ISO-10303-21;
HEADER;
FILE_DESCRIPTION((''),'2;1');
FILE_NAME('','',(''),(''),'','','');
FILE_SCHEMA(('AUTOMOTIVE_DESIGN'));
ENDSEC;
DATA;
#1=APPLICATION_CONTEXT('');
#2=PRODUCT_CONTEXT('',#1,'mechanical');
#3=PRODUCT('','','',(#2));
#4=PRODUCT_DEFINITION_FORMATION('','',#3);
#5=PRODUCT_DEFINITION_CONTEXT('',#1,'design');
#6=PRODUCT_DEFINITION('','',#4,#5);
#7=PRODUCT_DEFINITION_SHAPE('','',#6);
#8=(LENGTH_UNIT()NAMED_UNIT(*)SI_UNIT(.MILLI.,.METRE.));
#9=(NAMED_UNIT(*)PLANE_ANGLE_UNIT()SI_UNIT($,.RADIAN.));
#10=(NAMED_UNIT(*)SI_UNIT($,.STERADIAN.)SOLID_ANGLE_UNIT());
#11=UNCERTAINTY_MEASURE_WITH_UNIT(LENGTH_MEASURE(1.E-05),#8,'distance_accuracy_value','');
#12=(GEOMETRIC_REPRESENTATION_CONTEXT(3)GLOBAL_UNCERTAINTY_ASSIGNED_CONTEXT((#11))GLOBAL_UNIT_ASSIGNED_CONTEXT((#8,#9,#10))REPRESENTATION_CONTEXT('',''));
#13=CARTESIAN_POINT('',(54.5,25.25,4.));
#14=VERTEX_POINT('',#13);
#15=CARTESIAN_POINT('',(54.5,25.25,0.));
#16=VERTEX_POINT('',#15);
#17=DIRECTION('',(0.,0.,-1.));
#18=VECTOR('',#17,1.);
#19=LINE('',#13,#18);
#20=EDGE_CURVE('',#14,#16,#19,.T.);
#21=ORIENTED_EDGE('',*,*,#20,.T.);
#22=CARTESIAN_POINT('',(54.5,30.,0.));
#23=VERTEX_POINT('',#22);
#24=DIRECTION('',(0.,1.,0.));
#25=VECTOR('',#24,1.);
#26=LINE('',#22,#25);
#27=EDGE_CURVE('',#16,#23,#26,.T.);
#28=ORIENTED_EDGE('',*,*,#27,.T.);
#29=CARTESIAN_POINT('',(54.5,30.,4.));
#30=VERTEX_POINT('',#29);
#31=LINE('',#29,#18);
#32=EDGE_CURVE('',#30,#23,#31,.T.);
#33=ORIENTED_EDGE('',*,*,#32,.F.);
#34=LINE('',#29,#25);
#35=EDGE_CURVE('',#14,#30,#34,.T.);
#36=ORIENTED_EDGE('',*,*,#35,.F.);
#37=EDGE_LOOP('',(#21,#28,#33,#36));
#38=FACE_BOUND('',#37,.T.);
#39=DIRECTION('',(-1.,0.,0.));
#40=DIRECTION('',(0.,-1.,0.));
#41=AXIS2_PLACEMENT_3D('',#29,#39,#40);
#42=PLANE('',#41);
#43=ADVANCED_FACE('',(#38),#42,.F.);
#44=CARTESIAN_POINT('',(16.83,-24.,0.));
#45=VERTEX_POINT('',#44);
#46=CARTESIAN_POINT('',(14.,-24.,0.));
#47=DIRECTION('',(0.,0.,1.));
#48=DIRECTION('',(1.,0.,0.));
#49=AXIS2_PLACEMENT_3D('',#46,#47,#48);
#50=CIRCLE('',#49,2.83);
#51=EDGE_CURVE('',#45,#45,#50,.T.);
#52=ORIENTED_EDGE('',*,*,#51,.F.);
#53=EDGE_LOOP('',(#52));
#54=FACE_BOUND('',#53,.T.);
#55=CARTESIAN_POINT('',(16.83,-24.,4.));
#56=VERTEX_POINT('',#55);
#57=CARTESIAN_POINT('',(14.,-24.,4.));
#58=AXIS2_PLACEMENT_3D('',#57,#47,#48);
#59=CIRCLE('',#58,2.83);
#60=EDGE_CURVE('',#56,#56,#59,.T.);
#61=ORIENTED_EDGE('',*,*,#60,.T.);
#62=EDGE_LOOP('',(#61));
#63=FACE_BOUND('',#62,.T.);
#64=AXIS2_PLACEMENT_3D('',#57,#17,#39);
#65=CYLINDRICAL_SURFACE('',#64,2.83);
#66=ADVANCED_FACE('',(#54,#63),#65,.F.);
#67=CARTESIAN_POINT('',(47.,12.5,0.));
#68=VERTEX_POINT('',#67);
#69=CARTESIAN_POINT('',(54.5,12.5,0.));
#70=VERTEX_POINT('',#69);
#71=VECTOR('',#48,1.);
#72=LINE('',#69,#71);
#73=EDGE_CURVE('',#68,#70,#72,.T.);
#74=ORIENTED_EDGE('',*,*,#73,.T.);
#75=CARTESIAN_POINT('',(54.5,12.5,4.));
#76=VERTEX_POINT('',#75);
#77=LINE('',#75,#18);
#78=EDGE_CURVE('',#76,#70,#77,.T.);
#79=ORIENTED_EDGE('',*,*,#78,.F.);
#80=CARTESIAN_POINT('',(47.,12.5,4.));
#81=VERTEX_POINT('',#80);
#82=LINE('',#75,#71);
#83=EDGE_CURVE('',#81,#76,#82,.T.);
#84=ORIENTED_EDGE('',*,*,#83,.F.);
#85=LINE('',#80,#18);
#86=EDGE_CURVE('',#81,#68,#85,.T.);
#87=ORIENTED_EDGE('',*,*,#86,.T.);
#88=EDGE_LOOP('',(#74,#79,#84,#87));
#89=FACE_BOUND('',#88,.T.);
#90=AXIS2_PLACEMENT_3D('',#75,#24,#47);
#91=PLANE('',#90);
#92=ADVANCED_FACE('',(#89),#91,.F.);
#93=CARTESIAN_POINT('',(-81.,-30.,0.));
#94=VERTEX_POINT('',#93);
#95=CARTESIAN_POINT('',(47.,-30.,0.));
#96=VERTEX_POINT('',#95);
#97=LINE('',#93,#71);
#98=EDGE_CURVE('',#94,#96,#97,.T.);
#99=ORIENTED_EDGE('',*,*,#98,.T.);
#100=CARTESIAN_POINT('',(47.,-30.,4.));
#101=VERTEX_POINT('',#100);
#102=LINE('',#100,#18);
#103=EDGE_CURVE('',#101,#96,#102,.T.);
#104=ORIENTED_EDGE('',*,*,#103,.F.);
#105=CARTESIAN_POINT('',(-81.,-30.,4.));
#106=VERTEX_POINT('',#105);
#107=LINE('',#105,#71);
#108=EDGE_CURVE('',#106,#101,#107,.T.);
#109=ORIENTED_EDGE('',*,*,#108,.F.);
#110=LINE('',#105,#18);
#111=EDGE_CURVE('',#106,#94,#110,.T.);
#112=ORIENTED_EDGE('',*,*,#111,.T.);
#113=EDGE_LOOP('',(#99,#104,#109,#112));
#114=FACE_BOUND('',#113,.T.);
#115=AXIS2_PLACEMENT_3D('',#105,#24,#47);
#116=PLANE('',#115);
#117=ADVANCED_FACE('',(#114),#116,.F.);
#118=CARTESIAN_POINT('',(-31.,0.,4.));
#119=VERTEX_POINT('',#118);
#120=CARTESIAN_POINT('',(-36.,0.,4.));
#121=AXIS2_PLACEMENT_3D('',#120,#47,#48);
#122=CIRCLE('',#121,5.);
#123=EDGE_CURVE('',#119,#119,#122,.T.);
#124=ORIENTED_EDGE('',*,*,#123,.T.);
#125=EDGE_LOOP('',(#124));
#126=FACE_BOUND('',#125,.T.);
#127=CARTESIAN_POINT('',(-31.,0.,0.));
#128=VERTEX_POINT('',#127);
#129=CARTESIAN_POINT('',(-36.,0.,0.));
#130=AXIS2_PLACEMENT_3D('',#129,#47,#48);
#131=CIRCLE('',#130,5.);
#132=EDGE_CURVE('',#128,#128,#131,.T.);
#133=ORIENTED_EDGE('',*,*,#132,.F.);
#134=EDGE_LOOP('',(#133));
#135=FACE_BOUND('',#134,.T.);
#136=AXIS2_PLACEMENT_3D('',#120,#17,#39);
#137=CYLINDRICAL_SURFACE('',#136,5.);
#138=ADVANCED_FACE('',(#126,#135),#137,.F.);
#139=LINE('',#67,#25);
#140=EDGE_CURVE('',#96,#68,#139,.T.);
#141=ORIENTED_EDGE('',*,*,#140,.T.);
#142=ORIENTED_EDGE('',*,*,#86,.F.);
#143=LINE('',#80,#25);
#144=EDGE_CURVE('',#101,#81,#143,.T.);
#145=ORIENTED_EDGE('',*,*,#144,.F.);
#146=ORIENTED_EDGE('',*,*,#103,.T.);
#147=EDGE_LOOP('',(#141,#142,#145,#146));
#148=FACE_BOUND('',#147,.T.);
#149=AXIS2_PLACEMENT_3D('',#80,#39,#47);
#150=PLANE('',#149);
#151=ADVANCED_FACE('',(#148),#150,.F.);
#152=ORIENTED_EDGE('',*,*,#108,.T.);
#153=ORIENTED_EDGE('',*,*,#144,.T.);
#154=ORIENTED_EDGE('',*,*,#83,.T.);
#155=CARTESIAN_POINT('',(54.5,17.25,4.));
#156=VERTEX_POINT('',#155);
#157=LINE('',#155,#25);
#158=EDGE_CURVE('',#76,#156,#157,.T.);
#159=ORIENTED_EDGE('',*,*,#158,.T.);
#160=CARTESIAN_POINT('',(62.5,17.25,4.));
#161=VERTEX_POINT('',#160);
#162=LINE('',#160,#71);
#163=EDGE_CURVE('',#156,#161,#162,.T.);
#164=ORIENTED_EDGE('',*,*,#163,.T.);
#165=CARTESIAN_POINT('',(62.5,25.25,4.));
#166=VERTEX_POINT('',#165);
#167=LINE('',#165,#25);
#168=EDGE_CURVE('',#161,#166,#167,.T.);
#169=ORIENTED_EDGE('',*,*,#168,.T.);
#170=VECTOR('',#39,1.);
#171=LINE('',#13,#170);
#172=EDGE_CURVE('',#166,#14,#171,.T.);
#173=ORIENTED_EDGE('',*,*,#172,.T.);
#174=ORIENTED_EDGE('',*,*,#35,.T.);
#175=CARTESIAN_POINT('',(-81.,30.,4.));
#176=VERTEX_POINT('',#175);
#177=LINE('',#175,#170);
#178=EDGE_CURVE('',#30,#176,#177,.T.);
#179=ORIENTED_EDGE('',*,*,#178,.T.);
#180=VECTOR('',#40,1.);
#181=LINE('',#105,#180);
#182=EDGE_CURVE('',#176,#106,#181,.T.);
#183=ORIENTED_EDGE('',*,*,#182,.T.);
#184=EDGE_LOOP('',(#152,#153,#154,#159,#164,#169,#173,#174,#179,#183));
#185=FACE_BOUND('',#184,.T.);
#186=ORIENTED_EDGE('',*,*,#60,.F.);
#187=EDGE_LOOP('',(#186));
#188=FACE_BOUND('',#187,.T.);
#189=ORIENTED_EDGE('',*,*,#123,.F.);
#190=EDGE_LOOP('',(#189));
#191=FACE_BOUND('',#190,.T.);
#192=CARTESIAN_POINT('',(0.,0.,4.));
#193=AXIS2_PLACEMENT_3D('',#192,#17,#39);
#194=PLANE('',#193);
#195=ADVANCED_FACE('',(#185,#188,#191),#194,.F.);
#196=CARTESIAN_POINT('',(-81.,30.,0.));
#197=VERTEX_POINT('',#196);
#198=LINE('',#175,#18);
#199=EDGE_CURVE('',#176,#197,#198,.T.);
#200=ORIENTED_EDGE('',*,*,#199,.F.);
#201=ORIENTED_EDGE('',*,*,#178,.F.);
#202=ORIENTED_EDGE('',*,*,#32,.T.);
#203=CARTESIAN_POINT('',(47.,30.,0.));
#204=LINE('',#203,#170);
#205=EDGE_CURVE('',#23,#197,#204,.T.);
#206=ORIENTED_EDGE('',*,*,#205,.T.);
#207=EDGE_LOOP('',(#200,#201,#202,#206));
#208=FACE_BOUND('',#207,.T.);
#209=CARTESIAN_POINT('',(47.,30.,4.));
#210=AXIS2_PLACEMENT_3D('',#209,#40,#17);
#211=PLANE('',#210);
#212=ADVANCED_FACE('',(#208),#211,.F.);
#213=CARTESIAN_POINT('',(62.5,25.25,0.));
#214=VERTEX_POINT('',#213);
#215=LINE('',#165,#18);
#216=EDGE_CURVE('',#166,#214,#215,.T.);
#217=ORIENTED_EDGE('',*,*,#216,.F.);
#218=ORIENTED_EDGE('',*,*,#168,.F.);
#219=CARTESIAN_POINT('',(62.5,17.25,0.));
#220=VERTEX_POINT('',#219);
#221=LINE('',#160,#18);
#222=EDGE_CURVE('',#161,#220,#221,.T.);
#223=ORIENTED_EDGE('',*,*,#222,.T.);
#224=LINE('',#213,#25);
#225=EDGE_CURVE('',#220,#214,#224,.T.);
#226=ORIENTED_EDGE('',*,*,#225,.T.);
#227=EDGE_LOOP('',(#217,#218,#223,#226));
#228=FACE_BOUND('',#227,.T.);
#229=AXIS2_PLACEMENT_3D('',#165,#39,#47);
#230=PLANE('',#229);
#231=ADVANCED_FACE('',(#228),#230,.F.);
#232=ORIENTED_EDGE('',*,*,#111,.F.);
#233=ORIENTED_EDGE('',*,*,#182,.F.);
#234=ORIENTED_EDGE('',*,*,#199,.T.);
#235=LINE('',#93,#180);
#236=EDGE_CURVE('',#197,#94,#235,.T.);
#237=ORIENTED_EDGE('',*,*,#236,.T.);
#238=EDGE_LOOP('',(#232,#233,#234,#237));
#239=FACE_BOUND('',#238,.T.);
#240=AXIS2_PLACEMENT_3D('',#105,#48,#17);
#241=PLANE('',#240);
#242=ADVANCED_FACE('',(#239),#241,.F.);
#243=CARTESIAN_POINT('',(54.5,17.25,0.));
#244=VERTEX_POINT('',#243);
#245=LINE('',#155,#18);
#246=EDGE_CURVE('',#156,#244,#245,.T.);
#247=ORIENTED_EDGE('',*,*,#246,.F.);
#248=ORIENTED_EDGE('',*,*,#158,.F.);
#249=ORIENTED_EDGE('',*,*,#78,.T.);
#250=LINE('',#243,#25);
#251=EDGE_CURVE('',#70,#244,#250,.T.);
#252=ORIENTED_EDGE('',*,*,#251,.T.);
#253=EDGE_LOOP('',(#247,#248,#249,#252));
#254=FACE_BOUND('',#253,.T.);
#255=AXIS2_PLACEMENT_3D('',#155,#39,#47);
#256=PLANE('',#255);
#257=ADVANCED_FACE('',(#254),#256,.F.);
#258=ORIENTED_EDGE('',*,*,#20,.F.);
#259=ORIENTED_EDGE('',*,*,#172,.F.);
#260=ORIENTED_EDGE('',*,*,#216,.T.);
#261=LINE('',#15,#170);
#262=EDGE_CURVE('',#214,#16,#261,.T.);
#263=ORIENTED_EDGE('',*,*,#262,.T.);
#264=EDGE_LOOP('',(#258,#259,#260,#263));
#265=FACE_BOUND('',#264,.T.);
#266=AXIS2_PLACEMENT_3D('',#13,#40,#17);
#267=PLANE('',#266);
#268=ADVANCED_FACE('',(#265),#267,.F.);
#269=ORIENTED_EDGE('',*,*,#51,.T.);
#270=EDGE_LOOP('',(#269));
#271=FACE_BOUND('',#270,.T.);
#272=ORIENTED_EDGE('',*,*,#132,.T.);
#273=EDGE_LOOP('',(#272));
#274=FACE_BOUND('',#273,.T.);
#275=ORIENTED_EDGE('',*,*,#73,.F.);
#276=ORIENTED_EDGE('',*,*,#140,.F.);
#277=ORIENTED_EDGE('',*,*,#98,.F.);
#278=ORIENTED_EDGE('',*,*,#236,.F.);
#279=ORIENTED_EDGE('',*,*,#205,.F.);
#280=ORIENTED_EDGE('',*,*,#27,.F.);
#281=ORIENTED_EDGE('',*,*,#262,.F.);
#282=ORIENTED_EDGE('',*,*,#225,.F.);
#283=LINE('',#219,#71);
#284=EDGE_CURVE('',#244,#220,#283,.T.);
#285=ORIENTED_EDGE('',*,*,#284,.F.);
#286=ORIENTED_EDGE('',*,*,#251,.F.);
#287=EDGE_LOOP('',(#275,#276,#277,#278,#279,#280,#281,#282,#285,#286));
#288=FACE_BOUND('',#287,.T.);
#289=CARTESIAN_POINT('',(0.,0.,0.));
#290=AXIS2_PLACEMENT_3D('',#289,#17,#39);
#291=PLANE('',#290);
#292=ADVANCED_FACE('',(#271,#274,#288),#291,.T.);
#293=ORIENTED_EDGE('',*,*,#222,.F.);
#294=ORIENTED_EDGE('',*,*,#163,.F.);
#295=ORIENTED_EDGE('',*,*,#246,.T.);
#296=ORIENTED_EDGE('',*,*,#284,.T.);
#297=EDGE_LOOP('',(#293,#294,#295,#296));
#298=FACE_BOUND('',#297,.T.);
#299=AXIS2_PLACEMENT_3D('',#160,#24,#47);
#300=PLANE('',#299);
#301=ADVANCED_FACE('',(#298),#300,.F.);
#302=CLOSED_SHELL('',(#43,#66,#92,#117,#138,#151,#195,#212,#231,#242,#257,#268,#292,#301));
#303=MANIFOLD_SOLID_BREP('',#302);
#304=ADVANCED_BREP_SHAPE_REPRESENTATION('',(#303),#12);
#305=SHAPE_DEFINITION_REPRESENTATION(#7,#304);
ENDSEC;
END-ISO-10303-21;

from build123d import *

# Parameters (mm, degrees)
SKETCH1_R           = 5
SKETCH1_R_2         = 2.83
BOSS_EXTRUDE1_DEPTH = 4


with BuildPart() as part:
    # Sketch1 → Boss-Extrude1 (new body)
    with BuildSketch(Plane.XY):
        Polygon((47, 30), (54.5, 30), (54.5, 25.25), (62.5, 25.25), (62.5, 17.25), (54.5, 17.25), (54.5, 12.5), (47, 12.5), (47, -30), (-81, -30), (-81, 30), align=None)
        with Locations((-36, 0)):
            Circle(SKETCH1_R, mode=Mode.SUBTRACT)
        with Locations((14, -24)):
            Circle(SKETCH1_R_2, mode=Mode.SUBTRACT)
    extrude(amount=BOSS_EXTRUDE1_DEPTH)


solid = part.part
